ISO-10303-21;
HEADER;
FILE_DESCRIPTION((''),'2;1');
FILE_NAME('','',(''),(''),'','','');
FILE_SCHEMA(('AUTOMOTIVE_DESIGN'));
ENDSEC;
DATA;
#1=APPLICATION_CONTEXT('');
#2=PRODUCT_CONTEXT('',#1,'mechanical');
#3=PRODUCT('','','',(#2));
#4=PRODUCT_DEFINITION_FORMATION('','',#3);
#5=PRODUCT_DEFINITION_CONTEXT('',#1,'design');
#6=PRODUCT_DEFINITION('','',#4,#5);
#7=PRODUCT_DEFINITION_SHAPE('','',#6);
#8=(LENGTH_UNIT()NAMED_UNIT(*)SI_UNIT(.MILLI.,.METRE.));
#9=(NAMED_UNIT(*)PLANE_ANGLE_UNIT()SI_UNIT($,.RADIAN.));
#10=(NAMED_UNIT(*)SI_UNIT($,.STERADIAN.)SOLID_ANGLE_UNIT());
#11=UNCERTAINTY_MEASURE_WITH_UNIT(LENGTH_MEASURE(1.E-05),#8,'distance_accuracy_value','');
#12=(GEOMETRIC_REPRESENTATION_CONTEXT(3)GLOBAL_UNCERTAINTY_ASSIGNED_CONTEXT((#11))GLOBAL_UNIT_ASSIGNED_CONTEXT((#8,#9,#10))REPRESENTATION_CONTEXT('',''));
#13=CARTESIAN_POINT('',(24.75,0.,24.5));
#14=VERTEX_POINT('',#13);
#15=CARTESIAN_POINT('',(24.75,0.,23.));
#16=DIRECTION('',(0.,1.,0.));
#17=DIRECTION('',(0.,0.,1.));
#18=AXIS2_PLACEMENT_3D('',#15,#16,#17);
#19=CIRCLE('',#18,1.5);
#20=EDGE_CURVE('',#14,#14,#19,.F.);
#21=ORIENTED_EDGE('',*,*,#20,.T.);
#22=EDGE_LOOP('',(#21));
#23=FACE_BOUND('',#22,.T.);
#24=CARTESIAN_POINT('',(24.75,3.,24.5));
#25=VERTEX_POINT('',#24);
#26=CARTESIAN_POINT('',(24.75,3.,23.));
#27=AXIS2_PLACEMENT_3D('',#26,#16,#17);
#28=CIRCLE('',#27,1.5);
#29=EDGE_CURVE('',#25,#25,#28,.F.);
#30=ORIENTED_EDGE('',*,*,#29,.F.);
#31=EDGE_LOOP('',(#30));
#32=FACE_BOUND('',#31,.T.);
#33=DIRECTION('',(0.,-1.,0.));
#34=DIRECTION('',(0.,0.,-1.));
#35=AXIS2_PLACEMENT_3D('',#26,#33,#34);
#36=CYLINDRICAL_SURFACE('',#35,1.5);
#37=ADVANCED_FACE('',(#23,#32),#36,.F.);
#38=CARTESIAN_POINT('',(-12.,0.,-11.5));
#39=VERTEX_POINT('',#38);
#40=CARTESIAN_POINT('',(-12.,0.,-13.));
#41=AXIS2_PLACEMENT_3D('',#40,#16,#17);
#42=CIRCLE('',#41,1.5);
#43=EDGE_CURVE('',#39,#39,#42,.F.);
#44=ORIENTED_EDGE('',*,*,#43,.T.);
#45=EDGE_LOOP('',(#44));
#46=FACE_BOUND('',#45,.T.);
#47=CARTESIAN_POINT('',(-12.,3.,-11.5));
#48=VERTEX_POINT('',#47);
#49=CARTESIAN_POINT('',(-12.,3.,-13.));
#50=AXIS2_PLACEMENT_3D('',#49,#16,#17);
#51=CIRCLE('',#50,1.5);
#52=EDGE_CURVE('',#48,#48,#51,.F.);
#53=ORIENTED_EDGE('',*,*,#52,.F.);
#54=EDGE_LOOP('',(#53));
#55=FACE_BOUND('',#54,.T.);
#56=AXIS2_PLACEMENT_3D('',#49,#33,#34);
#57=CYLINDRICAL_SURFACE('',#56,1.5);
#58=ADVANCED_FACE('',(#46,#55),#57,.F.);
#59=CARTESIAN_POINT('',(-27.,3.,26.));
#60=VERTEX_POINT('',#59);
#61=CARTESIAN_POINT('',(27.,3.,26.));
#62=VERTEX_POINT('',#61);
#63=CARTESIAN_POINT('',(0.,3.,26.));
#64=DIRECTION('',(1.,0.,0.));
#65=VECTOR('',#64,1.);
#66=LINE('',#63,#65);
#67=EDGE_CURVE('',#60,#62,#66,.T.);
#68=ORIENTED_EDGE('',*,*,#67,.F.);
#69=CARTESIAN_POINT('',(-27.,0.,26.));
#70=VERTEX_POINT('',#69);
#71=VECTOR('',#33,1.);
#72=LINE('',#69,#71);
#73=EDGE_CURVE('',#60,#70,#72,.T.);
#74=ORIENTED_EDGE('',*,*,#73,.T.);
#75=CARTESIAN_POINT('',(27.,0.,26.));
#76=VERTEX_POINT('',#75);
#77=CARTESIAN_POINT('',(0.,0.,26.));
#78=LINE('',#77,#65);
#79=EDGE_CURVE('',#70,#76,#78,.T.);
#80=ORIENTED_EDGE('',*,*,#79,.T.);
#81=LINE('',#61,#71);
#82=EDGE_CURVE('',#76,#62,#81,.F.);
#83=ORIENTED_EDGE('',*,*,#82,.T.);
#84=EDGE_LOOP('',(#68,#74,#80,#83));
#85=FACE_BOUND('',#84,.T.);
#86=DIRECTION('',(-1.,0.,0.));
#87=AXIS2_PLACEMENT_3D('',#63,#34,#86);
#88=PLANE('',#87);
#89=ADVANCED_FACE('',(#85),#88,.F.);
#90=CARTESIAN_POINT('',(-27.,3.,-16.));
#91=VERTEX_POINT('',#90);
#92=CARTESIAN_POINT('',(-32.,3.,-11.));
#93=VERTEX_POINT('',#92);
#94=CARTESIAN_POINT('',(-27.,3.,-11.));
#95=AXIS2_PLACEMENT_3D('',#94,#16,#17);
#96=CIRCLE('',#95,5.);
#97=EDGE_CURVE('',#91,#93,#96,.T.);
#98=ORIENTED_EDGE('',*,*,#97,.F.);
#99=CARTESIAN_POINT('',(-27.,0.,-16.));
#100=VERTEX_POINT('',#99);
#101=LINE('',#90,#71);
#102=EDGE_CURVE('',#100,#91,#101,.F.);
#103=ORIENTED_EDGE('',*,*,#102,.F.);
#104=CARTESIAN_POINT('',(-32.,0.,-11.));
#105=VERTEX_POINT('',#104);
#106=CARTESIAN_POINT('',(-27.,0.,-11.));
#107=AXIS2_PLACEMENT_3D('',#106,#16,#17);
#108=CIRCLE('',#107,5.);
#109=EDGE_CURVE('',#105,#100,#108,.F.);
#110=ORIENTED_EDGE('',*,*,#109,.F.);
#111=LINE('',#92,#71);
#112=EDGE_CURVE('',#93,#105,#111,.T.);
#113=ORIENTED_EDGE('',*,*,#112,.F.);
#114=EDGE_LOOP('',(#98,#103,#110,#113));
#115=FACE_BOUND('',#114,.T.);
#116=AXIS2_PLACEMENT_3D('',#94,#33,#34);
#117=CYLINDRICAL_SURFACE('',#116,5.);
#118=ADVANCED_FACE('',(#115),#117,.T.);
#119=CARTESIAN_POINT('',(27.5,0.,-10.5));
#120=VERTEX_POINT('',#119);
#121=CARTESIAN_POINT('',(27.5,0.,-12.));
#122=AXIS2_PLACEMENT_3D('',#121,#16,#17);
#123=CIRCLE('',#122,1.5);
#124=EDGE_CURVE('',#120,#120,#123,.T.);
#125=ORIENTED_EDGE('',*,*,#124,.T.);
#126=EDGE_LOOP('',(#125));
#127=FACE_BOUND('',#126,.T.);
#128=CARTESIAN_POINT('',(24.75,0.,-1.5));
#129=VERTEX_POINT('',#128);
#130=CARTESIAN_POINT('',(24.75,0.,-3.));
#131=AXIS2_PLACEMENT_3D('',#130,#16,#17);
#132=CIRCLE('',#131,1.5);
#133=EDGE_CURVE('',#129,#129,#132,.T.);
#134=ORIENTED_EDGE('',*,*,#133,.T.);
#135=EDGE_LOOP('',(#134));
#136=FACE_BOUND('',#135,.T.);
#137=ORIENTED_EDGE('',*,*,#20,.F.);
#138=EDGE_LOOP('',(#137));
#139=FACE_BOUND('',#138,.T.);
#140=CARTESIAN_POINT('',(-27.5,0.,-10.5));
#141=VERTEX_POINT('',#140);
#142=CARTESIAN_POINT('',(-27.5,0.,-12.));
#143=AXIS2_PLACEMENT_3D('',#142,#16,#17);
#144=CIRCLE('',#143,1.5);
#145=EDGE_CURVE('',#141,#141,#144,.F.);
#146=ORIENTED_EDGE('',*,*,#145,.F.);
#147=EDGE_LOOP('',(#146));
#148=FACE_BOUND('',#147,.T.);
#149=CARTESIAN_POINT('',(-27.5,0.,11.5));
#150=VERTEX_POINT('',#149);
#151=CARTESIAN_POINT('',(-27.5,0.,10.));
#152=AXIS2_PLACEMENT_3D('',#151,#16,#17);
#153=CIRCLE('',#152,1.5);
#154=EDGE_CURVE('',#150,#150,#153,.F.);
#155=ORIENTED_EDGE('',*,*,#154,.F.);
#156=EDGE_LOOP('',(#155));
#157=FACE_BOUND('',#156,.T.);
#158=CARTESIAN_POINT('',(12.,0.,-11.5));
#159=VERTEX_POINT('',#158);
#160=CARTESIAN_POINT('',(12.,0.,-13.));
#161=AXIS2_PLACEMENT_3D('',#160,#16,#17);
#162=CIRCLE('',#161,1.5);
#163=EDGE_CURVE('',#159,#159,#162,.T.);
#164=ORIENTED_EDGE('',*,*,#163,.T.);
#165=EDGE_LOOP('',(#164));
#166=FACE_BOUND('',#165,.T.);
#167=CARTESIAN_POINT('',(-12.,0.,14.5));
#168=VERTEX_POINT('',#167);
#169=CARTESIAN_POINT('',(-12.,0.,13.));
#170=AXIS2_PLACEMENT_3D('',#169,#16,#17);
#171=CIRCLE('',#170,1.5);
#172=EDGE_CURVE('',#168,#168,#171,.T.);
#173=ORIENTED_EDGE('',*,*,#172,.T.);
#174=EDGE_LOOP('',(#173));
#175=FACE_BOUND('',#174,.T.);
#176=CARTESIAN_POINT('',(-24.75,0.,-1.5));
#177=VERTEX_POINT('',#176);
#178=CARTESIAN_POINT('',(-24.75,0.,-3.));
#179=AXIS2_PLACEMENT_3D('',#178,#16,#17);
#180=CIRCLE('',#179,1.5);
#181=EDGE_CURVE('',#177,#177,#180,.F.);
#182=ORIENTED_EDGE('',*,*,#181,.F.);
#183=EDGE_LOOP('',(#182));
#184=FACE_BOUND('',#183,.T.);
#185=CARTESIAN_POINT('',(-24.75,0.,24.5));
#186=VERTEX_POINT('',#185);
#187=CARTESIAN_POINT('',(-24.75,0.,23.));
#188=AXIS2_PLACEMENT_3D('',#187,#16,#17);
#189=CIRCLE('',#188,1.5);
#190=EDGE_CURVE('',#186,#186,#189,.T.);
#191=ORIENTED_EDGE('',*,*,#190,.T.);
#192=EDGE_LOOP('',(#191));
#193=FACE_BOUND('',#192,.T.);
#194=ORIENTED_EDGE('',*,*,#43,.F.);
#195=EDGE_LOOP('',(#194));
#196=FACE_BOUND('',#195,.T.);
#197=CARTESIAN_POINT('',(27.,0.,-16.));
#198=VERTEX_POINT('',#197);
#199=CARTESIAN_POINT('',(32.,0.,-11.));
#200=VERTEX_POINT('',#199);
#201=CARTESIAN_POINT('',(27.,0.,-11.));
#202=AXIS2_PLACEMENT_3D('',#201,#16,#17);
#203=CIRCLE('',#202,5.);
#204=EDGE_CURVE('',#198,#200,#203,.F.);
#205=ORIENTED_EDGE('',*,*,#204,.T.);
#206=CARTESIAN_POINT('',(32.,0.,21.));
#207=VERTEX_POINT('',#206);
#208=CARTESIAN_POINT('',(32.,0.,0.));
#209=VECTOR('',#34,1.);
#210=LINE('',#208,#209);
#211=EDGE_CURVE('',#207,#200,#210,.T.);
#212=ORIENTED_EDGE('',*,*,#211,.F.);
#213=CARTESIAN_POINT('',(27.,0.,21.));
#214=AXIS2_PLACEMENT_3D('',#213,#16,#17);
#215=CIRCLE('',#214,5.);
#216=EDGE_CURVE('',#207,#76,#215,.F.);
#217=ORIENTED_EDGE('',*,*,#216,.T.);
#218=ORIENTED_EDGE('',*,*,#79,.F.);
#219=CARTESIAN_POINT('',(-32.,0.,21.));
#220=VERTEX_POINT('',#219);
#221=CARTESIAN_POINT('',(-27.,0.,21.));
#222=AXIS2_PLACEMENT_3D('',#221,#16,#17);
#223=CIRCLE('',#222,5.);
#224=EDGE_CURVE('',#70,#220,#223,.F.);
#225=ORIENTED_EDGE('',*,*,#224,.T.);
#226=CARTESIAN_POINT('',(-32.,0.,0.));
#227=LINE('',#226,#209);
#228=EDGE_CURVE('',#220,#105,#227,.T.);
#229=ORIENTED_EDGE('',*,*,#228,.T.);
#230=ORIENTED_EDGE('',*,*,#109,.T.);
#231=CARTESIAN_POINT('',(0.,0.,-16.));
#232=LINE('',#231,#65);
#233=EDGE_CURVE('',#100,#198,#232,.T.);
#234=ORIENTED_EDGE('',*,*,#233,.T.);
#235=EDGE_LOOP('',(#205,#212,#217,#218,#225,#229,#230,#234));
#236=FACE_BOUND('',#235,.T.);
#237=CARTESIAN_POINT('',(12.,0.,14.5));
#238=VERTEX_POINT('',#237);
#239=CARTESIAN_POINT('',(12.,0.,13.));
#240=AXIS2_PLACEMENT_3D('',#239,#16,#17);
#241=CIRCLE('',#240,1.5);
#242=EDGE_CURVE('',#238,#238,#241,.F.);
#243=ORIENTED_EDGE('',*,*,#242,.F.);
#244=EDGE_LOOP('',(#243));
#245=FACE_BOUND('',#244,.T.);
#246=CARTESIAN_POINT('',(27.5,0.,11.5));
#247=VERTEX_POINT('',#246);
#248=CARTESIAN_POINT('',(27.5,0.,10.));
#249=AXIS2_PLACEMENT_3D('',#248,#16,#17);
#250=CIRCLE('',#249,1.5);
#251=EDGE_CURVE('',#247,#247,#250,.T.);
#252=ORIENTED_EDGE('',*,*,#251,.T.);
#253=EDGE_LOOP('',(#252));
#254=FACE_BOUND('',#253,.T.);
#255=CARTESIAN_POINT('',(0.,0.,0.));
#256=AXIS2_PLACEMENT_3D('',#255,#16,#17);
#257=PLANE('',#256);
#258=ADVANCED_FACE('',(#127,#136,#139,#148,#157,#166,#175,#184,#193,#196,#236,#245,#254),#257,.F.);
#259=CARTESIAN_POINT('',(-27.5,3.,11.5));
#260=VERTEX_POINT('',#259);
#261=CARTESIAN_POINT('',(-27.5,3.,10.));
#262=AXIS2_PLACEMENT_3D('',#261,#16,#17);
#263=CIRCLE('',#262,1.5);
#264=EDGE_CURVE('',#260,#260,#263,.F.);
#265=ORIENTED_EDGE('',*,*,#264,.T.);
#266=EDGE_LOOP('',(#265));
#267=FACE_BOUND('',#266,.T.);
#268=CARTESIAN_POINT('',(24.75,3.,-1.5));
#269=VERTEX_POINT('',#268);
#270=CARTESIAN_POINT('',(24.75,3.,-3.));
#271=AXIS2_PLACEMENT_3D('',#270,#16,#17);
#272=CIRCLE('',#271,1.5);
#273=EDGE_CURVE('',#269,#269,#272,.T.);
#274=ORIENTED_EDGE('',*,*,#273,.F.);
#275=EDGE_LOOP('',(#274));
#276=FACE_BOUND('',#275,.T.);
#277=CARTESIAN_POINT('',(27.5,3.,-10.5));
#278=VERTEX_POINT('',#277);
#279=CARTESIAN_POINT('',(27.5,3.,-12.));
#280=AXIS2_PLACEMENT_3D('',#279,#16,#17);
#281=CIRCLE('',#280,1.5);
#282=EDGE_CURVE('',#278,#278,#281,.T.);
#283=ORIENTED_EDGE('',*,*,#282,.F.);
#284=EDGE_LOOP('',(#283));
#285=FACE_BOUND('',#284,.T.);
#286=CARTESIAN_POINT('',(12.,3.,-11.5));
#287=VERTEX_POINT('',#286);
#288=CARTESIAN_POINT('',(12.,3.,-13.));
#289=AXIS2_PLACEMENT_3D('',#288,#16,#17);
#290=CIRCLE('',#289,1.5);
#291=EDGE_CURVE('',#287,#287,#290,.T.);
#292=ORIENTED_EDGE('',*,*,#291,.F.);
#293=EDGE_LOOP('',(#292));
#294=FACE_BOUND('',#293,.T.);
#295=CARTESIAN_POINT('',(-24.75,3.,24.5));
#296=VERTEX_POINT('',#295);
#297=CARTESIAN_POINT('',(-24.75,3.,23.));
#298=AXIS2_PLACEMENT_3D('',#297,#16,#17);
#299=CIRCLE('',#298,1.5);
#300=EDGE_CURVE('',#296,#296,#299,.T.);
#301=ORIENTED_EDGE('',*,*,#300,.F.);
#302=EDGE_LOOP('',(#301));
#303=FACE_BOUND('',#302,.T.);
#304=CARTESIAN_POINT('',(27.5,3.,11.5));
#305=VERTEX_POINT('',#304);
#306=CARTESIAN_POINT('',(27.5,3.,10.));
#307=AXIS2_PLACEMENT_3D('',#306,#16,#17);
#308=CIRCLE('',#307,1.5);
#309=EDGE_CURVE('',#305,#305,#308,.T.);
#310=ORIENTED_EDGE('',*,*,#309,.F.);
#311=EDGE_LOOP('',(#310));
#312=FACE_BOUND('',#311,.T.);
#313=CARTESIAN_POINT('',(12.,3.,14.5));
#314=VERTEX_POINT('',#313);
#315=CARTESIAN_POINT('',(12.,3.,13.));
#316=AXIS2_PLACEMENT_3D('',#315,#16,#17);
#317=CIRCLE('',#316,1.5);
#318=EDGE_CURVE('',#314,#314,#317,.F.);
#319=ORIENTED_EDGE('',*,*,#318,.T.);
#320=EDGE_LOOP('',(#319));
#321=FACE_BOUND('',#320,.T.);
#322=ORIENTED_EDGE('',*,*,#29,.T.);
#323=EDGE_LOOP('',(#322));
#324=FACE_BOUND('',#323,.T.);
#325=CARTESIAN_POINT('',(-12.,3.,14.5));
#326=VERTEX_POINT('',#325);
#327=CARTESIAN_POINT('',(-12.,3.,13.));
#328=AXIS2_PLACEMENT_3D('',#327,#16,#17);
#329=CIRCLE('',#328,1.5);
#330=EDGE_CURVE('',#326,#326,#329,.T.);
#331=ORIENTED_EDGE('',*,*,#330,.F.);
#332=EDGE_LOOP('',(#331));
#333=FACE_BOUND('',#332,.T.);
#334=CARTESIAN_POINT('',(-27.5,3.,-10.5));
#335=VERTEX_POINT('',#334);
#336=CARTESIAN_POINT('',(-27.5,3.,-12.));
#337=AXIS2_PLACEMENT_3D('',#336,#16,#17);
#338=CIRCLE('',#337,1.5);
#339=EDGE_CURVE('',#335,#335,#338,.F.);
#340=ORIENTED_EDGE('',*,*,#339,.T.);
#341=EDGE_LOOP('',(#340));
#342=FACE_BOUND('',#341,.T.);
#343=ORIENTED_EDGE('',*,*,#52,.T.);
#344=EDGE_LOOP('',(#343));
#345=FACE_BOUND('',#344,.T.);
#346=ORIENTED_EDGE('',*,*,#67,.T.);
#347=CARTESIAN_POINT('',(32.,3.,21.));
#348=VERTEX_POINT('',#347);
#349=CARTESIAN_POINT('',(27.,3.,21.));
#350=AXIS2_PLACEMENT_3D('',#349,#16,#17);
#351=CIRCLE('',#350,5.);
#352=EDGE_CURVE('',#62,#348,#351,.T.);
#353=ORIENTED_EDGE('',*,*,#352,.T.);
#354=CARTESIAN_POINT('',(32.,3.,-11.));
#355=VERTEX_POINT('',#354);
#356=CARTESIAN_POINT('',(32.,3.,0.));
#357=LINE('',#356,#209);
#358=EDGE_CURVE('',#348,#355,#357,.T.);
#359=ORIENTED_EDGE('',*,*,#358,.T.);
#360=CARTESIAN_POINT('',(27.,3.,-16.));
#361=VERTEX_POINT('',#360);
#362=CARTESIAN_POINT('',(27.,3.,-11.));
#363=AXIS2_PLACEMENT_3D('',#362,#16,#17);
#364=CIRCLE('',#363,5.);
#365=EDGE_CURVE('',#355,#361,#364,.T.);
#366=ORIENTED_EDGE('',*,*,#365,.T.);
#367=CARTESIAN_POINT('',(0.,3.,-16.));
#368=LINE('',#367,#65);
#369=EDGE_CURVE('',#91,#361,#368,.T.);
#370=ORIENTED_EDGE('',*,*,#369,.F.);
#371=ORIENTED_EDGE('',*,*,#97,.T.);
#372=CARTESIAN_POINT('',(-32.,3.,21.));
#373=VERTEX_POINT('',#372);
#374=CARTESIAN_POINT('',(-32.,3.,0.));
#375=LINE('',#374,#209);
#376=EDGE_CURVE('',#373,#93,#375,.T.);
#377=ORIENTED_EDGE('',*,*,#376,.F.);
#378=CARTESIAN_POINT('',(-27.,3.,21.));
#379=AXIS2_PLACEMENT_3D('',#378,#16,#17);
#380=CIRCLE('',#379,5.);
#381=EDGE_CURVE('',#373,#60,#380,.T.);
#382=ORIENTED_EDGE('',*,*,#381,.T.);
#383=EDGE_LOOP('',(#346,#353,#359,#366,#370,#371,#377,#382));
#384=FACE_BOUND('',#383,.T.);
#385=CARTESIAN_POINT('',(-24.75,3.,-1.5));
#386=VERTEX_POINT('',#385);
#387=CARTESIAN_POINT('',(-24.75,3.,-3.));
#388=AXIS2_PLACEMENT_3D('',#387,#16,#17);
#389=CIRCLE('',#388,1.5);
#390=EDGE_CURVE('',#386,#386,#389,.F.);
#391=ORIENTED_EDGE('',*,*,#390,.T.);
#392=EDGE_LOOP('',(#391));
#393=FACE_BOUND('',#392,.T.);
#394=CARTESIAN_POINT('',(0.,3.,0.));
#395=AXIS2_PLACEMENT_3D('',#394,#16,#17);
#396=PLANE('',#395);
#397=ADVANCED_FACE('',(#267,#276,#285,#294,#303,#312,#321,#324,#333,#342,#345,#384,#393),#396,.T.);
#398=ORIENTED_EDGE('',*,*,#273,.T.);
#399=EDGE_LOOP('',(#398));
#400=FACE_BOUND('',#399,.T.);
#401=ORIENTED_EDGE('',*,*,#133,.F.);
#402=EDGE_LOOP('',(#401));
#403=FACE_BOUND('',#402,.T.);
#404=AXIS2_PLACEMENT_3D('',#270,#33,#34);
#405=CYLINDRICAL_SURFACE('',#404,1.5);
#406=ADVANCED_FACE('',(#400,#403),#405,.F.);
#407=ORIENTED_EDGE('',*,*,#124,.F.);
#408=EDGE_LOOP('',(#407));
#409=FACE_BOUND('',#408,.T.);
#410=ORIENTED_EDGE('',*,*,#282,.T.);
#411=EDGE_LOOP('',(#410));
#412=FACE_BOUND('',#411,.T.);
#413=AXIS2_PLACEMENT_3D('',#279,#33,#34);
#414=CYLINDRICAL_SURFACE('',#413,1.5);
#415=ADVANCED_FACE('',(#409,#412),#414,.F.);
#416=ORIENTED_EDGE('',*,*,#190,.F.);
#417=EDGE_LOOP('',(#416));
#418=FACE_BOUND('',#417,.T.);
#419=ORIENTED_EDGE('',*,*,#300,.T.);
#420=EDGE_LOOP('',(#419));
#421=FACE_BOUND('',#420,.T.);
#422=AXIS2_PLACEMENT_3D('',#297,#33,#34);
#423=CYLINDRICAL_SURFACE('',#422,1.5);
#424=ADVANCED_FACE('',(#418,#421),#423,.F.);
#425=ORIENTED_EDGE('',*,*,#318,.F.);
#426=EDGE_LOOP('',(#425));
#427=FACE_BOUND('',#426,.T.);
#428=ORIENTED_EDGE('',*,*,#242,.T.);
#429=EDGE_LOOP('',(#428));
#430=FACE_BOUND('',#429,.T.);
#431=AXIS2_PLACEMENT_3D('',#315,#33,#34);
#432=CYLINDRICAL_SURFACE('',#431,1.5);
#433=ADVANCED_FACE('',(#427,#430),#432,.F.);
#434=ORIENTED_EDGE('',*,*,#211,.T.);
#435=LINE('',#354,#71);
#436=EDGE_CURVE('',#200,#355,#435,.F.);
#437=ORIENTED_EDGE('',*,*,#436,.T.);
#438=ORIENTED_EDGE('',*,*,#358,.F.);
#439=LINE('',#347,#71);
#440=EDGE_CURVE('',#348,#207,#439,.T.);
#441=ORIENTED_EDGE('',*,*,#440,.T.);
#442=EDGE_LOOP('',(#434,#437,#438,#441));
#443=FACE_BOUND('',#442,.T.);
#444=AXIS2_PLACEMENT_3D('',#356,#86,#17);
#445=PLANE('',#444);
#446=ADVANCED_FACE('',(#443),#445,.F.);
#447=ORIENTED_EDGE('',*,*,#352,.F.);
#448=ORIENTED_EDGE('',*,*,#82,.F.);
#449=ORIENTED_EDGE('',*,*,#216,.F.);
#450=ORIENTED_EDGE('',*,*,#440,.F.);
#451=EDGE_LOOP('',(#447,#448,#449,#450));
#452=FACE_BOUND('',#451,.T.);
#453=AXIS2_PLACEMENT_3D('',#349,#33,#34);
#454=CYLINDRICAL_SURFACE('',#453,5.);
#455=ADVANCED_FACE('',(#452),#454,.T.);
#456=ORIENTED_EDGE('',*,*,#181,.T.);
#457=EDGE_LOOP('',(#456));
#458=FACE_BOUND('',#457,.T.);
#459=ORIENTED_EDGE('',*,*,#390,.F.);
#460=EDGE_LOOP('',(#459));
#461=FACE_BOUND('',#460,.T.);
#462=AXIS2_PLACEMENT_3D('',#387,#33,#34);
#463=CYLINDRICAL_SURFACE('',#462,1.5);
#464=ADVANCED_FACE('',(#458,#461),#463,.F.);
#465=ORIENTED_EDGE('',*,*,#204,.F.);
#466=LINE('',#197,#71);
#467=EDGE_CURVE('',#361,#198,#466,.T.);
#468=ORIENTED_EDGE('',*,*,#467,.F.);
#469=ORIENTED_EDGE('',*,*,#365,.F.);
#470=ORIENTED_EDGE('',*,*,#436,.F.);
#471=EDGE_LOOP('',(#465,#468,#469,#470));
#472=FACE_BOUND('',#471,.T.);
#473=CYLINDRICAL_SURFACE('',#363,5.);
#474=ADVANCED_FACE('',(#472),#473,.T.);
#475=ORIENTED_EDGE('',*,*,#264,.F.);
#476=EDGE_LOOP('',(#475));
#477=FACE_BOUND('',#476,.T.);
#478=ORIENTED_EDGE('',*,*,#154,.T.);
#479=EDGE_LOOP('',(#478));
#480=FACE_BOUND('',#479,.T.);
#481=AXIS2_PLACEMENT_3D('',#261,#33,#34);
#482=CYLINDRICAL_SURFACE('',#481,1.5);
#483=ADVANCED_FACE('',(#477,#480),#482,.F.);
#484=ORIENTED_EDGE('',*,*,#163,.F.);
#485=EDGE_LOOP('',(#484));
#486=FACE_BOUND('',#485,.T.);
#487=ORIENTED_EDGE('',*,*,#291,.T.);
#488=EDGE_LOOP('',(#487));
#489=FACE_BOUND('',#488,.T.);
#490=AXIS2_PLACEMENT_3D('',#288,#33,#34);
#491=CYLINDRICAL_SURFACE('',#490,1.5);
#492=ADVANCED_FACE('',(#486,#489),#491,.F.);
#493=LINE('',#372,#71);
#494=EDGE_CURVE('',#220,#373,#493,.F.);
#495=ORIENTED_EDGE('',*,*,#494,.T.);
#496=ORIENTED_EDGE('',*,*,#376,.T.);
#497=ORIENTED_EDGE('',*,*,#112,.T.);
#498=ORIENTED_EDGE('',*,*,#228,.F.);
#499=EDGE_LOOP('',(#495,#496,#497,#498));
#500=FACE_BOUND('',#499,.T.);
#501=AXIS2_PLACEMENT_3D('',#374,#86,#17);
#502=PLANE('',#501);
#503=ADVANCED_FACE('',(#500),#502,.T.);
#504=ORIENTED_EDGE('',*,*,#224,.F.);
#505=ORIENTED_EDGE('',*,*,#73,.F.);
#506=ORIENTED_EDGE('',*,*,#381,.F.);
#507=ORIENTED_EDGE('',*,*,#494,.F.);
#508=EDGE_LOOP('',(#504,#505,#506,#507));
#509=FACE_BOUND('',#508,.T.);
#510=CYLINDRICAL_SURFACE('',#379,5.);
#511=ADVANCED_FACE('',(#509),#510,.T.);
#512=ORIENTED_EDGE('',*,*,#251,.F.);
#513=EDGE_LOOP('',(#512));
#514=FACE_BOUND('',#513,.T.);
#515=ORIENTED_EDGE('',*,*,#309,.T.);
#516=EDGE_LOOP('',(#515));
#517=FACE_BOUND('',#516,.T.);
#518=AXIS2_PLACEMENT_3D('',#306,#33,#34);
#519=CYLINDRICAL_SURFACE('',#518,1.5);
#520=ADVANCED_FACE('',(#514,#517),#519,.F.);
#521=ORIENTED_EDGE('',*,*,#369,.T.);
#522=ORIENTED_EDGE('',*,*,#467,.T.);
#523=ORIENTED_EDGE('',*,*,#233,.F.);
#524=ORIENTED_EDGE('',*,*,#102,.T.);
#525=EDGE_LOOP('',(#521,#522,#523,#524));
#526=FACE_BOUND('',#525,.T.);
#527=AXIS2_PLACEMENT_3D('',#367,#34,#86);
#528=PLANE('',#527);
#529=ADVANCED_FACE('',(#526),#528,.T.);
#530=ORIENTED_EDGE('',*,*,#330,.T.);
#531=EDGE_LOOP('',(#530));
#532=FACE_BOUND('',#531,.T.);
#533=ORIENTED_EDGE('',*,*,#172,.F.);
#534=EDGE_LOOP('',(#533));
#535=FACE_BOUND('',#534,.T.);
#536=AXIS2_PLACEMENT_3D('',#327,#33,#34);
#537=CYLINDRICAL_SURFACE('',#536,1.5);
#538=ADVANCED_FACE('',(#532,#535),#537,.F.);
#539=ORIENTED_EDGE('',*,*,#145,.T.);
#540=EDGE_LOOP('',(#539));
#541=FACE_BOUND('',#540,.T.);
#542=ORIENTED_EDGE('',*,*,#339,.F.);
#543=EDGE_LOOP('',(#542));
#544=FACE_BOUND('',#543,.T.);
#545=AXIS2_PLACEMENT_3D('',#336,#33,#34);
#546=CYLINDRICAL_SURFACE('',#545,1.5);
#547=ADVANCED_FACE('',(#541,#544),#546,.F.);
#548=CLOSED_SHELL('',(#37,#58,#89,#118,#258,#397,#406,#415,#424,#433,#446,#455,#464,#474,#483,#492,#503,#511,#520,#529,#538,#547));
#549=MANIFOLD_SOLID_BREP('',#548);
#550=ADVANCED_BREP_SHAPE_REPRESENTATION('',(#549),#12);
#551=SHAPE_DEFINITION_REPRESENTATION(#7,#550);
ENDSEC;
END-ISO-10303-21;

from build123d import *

# Parameters (mm, degrees)
SKETCH_1_W      = 64
SKETCH_1_H      = 42
SKETCH_1_R      = 1.5
EXTRUDE_1_DEPTH = 3
FILLET_2_R      = 5


with BuildPart() as part:
    # 草图1 → 凸台-拉伸1 (new body)
    with BuildSketch(Plane(origin=(0, 0, 0), x_dir=(1, 0, 0), z_dir=(0, 1, 0))):
        with Locations((0, -5)):
            Rectangle(SKETCH_1_W, SKETCH_1_H)
        with Locations(Location((-27.5, -10, 0), (0, 0, 270))):
            Circle(SKETCH_1_R, mode=Mode.SUBTRACT)
        with Locations(Location((-12, -13, 0), (0, 0, 270))):
            Circle(SKETCH_1_R, mode=Mode.SUBTRACT)
        with Locations(Location((12, -13, 0), (0, 0, 270))):
            Circle(SKETCH_1_R, mode=Mode.SUBTRACT)
        with Locations(Location((27.5, -10, 0), (0, 0, 270))):
            Circle(SKETCH_1_R, mode=Mode.SUBTRACT)
        with Locations(Location((-24.75, 3, 0), (0, 0, 270))):
            Circle(SKETCH_1_R, mode=Mode.SUBTRACT)
        with Locations(Location((-27.5, 12, 0), (0, 0, 270))):
            Circle(SKETCH_1_R, mode=Mode.SUBTRACT)
        with Locations(Location((-12, 13, 0), (0, 0, 270))):
            Circle(SKETCH_1_R, mode=Mode.SUBTRACT)
        with Locations(Location((24.75, 3, 0), (0, 0, 270))):
            Circle(SKETCH_1_R, mode=Mode.SUBTRACT)
        with Locations(Location((12, 13, 0), (0, 0, 270))):
            Circle(SKETCH_1_R, mode=Mode.SUBTRACT)
        with Locations(Location((27.5, 12, 0), (0, 0, 270))):
            Circle(SKETCH_1_R, mode=Mode.SUBTRACT)
        with Locations(Location((24.75, -23, 0), (0, 0, 270))):
            Circle(SKETCH_1_R, mode=Mode.SUBTRACT)
        with Locations(Location((-24.75, -23, 0), (0, 0, 270))):
            Circle(SKETCH_1_R, mode=Mode.SUBTRACT)
    extrude(amount=EXTRUDE_1_DEPTH)

    # 圆角2
    fillet_2_edges = [part.edges().sort_by_distance(p)[0] for p in [
        (-32, 1.5, -16),
        (32, 1.5, -16),
        (32, 1.5, 26),
        (-32, 1.5, 26),
    ]]
    fillet(fillet_2_edges, radius=FILLET_2_R)


solid = part.part
